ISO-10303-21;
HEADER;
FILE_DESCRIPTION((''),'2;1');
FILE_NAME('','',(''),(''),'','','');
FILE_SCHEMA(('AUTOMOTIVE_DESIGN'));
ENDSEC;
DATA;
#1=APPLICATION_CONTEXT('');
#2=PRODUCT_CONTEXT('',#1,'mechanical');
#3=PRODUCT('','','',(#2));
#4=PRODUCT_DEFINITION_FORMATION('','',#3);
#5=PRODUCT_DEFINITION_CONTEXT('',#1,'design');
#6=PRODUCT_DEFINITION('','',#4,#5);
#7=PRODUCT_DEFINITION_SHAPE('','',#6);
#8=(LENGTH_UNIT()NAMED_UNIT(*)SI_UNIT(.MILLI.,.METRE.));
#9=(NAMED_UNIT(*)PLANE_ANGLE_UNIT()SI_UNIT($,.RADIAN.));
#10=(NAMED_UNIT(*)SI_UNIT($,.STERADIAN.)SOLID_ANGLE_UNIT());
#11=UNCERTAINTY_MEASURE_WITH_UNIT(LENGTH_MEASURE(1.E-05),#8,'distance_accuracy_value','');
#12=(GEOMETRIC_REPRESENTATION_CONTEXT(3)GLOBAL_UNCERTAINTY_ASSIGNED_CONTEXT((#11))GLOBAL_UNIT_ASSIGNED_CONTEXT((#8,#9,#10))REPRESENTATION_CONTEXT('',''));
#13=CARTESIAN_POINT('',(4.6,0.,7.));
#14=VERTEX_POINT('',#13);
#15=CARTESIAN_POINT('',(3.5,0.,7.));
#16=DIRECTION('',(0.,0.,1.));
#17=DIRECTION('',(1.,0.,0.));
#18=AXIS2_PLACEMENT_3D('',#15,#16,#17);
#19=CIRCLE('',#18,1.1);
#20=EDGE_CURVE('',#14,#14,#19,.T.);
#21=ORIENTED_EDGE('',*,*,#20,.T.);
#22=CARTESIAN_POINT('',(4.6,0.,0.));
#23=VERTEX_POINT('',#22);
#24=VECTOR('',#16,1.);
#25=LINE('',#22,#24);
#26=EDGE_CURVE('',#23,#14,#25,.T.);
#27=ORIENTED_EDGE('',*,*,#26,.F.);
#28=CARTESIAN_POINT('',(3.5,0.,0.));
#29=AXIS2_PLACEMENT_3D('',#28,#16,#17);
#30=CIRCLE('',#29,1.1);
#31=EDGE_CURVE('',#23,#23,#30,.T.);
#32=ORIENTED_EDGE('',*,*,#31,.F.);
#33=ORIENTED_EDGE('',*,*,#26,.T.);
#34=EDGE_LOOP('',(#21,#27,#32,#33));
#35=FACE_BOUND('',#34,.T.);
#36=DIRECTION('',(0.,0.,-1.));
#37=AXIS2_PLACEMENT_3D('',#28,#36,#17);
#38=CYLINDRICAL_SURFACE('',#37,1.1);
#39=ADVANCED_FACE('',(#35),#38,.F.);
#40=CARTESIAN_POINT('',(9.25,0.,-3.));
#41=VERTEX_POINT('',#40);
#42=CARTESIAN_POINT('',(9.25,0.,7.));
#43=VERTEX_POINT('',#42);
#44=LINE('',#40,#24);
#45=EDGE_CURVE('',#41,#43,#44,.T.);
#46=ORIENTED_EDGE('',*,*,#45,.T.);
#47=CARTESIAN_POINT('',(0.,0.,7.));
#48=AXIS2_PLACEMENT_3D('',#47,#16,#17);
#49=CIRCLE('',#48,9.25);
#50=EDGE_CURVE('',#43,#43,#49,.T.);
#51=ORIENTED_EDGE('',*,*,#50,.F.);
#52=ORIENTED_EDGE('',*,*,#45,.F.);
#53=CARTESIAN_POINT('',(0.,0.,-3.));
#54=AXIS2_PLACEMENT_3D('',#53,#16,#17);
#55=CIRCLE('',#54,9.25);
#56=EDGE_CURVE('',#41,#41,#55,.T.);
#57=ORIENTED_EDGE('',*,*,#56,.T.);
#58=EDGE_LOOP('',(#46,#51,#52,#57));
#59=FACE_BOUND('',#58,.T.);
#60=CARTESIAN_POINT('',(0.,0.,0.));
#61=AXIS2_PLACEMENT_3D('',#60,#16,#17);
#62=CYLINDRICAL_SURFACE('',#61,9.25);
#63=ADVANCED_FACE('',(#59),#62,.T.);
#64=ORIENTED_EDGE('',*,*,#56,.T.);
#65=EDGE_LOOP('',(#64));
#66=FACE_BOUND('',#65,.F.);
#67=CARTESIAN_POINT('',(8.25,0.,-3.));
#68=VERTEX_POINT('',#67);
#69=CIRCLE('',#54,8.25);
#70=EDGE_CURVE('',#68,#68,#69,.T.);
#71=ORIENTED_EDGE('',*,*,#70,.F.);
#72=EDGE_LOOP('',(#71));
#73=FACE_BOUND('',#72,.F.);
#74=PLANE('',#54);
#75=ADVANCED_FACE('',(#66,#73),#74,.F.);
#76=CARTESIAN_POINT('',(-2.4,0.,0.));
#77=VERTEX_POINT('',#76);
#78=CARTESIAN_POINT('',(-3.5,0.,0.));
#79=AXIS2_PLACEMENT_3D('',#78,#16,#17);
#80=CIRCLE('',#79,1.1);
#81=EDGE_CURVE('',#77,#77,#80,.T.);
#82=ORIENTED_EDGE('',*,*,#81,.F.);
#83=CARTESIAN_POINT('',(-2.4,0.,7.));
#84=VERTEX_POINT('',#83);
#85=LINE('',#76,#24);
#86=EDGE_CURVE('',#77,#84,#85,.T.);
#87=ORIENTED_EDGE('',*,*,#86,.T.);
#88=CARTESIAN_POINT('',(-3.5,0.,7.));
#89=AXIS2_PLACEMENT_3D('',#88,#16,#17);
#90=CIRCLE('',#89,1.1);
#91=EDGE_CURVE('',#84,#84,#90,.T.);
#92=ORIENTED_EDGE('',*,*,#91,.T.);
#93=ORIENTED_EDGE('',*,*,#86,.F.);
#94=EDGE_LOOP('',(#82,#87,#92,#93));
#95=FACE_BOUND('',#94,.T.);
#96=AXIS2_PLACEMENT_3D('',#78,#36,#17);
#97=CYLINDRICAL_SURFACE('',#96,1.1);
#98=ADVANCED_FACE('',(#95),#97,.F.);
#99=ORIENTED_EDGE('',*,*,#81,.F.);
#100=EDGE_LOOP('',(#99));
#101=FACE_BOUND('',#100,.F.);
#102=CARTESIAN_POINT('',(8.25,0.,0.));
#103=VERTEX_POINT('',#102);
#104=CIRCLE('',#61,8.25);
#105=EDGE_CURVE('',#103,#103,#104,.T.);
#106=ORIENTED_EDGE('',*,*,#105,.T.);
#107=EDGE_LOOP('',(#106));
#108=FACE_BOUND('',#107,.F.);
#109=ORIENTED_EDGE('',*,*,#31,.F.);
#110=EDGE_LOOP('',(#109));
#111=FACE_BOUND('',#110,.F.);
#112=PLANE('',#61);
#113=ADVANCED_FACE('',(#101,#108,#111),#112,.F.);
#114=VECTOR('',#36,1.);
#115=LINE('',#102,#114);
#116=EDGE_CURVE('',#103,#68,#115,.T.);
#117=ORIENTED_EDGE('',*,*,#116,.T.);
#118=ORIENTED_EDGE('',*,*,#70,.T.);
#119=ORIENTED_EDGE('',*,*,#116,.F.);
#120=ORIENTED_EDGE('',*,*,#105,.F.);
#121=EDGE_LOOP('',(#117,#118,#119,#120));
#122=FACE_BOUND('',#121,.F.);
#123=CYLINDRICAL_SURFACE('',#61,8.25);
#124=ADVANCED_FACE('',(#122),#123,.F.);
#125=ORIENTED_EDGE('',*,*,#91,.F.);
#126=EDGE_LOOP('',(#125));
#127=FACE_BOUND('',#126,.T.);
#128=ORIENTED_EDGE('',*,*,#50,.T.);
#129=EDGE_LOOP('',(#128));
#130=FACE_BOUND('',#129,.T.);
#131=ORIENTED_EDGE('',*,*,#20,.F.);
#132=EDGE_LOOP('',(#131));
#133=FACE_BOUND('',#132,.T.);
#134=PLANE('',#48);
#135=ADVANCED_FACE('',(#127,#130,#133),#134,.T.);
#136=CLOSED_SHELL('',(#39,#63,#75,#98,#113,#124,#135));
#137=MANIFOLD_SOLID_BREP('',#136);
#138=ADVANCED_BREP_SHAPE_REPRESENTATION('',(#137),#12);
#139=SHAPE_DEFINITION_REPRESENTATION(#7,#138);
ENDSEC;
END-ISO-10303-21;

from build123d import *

# Parameters (mm, degrees)
F0_R     = 9.25
F0_R_2   = 8.25
F0_R_3   = 1.1
F1_DEPTH = 7
F2_DEPTH = 3


with BuildPart() as f1:
    # F0 (on Top) → F1 (new body)
    with BuildSketch(Plane.XY):
        Circle(F0_R)
        Circle(F0_R_2, mode=Mode.SUBTRACT)
        Circle(F0_R_2)
        with Locations((-3.5, 0)):
            Circle(F0_R_3, mode=Mode.SUBTRACT)
        with Locations((3.5, 0)):
            Circle(F0_R_3, mode=Mode.SUBTRACT)
    extrude(amount=F1_DEPTH)

    # F0 (on Top) → F2 (join)
    with BuildSketch(Plane.XY):
        Circle(F0_R)
        Circle(F0_R_2, mode=Mode.SUBTRACT)
    extrude(amount=-F2_DEPTH)


solid = f1.part
